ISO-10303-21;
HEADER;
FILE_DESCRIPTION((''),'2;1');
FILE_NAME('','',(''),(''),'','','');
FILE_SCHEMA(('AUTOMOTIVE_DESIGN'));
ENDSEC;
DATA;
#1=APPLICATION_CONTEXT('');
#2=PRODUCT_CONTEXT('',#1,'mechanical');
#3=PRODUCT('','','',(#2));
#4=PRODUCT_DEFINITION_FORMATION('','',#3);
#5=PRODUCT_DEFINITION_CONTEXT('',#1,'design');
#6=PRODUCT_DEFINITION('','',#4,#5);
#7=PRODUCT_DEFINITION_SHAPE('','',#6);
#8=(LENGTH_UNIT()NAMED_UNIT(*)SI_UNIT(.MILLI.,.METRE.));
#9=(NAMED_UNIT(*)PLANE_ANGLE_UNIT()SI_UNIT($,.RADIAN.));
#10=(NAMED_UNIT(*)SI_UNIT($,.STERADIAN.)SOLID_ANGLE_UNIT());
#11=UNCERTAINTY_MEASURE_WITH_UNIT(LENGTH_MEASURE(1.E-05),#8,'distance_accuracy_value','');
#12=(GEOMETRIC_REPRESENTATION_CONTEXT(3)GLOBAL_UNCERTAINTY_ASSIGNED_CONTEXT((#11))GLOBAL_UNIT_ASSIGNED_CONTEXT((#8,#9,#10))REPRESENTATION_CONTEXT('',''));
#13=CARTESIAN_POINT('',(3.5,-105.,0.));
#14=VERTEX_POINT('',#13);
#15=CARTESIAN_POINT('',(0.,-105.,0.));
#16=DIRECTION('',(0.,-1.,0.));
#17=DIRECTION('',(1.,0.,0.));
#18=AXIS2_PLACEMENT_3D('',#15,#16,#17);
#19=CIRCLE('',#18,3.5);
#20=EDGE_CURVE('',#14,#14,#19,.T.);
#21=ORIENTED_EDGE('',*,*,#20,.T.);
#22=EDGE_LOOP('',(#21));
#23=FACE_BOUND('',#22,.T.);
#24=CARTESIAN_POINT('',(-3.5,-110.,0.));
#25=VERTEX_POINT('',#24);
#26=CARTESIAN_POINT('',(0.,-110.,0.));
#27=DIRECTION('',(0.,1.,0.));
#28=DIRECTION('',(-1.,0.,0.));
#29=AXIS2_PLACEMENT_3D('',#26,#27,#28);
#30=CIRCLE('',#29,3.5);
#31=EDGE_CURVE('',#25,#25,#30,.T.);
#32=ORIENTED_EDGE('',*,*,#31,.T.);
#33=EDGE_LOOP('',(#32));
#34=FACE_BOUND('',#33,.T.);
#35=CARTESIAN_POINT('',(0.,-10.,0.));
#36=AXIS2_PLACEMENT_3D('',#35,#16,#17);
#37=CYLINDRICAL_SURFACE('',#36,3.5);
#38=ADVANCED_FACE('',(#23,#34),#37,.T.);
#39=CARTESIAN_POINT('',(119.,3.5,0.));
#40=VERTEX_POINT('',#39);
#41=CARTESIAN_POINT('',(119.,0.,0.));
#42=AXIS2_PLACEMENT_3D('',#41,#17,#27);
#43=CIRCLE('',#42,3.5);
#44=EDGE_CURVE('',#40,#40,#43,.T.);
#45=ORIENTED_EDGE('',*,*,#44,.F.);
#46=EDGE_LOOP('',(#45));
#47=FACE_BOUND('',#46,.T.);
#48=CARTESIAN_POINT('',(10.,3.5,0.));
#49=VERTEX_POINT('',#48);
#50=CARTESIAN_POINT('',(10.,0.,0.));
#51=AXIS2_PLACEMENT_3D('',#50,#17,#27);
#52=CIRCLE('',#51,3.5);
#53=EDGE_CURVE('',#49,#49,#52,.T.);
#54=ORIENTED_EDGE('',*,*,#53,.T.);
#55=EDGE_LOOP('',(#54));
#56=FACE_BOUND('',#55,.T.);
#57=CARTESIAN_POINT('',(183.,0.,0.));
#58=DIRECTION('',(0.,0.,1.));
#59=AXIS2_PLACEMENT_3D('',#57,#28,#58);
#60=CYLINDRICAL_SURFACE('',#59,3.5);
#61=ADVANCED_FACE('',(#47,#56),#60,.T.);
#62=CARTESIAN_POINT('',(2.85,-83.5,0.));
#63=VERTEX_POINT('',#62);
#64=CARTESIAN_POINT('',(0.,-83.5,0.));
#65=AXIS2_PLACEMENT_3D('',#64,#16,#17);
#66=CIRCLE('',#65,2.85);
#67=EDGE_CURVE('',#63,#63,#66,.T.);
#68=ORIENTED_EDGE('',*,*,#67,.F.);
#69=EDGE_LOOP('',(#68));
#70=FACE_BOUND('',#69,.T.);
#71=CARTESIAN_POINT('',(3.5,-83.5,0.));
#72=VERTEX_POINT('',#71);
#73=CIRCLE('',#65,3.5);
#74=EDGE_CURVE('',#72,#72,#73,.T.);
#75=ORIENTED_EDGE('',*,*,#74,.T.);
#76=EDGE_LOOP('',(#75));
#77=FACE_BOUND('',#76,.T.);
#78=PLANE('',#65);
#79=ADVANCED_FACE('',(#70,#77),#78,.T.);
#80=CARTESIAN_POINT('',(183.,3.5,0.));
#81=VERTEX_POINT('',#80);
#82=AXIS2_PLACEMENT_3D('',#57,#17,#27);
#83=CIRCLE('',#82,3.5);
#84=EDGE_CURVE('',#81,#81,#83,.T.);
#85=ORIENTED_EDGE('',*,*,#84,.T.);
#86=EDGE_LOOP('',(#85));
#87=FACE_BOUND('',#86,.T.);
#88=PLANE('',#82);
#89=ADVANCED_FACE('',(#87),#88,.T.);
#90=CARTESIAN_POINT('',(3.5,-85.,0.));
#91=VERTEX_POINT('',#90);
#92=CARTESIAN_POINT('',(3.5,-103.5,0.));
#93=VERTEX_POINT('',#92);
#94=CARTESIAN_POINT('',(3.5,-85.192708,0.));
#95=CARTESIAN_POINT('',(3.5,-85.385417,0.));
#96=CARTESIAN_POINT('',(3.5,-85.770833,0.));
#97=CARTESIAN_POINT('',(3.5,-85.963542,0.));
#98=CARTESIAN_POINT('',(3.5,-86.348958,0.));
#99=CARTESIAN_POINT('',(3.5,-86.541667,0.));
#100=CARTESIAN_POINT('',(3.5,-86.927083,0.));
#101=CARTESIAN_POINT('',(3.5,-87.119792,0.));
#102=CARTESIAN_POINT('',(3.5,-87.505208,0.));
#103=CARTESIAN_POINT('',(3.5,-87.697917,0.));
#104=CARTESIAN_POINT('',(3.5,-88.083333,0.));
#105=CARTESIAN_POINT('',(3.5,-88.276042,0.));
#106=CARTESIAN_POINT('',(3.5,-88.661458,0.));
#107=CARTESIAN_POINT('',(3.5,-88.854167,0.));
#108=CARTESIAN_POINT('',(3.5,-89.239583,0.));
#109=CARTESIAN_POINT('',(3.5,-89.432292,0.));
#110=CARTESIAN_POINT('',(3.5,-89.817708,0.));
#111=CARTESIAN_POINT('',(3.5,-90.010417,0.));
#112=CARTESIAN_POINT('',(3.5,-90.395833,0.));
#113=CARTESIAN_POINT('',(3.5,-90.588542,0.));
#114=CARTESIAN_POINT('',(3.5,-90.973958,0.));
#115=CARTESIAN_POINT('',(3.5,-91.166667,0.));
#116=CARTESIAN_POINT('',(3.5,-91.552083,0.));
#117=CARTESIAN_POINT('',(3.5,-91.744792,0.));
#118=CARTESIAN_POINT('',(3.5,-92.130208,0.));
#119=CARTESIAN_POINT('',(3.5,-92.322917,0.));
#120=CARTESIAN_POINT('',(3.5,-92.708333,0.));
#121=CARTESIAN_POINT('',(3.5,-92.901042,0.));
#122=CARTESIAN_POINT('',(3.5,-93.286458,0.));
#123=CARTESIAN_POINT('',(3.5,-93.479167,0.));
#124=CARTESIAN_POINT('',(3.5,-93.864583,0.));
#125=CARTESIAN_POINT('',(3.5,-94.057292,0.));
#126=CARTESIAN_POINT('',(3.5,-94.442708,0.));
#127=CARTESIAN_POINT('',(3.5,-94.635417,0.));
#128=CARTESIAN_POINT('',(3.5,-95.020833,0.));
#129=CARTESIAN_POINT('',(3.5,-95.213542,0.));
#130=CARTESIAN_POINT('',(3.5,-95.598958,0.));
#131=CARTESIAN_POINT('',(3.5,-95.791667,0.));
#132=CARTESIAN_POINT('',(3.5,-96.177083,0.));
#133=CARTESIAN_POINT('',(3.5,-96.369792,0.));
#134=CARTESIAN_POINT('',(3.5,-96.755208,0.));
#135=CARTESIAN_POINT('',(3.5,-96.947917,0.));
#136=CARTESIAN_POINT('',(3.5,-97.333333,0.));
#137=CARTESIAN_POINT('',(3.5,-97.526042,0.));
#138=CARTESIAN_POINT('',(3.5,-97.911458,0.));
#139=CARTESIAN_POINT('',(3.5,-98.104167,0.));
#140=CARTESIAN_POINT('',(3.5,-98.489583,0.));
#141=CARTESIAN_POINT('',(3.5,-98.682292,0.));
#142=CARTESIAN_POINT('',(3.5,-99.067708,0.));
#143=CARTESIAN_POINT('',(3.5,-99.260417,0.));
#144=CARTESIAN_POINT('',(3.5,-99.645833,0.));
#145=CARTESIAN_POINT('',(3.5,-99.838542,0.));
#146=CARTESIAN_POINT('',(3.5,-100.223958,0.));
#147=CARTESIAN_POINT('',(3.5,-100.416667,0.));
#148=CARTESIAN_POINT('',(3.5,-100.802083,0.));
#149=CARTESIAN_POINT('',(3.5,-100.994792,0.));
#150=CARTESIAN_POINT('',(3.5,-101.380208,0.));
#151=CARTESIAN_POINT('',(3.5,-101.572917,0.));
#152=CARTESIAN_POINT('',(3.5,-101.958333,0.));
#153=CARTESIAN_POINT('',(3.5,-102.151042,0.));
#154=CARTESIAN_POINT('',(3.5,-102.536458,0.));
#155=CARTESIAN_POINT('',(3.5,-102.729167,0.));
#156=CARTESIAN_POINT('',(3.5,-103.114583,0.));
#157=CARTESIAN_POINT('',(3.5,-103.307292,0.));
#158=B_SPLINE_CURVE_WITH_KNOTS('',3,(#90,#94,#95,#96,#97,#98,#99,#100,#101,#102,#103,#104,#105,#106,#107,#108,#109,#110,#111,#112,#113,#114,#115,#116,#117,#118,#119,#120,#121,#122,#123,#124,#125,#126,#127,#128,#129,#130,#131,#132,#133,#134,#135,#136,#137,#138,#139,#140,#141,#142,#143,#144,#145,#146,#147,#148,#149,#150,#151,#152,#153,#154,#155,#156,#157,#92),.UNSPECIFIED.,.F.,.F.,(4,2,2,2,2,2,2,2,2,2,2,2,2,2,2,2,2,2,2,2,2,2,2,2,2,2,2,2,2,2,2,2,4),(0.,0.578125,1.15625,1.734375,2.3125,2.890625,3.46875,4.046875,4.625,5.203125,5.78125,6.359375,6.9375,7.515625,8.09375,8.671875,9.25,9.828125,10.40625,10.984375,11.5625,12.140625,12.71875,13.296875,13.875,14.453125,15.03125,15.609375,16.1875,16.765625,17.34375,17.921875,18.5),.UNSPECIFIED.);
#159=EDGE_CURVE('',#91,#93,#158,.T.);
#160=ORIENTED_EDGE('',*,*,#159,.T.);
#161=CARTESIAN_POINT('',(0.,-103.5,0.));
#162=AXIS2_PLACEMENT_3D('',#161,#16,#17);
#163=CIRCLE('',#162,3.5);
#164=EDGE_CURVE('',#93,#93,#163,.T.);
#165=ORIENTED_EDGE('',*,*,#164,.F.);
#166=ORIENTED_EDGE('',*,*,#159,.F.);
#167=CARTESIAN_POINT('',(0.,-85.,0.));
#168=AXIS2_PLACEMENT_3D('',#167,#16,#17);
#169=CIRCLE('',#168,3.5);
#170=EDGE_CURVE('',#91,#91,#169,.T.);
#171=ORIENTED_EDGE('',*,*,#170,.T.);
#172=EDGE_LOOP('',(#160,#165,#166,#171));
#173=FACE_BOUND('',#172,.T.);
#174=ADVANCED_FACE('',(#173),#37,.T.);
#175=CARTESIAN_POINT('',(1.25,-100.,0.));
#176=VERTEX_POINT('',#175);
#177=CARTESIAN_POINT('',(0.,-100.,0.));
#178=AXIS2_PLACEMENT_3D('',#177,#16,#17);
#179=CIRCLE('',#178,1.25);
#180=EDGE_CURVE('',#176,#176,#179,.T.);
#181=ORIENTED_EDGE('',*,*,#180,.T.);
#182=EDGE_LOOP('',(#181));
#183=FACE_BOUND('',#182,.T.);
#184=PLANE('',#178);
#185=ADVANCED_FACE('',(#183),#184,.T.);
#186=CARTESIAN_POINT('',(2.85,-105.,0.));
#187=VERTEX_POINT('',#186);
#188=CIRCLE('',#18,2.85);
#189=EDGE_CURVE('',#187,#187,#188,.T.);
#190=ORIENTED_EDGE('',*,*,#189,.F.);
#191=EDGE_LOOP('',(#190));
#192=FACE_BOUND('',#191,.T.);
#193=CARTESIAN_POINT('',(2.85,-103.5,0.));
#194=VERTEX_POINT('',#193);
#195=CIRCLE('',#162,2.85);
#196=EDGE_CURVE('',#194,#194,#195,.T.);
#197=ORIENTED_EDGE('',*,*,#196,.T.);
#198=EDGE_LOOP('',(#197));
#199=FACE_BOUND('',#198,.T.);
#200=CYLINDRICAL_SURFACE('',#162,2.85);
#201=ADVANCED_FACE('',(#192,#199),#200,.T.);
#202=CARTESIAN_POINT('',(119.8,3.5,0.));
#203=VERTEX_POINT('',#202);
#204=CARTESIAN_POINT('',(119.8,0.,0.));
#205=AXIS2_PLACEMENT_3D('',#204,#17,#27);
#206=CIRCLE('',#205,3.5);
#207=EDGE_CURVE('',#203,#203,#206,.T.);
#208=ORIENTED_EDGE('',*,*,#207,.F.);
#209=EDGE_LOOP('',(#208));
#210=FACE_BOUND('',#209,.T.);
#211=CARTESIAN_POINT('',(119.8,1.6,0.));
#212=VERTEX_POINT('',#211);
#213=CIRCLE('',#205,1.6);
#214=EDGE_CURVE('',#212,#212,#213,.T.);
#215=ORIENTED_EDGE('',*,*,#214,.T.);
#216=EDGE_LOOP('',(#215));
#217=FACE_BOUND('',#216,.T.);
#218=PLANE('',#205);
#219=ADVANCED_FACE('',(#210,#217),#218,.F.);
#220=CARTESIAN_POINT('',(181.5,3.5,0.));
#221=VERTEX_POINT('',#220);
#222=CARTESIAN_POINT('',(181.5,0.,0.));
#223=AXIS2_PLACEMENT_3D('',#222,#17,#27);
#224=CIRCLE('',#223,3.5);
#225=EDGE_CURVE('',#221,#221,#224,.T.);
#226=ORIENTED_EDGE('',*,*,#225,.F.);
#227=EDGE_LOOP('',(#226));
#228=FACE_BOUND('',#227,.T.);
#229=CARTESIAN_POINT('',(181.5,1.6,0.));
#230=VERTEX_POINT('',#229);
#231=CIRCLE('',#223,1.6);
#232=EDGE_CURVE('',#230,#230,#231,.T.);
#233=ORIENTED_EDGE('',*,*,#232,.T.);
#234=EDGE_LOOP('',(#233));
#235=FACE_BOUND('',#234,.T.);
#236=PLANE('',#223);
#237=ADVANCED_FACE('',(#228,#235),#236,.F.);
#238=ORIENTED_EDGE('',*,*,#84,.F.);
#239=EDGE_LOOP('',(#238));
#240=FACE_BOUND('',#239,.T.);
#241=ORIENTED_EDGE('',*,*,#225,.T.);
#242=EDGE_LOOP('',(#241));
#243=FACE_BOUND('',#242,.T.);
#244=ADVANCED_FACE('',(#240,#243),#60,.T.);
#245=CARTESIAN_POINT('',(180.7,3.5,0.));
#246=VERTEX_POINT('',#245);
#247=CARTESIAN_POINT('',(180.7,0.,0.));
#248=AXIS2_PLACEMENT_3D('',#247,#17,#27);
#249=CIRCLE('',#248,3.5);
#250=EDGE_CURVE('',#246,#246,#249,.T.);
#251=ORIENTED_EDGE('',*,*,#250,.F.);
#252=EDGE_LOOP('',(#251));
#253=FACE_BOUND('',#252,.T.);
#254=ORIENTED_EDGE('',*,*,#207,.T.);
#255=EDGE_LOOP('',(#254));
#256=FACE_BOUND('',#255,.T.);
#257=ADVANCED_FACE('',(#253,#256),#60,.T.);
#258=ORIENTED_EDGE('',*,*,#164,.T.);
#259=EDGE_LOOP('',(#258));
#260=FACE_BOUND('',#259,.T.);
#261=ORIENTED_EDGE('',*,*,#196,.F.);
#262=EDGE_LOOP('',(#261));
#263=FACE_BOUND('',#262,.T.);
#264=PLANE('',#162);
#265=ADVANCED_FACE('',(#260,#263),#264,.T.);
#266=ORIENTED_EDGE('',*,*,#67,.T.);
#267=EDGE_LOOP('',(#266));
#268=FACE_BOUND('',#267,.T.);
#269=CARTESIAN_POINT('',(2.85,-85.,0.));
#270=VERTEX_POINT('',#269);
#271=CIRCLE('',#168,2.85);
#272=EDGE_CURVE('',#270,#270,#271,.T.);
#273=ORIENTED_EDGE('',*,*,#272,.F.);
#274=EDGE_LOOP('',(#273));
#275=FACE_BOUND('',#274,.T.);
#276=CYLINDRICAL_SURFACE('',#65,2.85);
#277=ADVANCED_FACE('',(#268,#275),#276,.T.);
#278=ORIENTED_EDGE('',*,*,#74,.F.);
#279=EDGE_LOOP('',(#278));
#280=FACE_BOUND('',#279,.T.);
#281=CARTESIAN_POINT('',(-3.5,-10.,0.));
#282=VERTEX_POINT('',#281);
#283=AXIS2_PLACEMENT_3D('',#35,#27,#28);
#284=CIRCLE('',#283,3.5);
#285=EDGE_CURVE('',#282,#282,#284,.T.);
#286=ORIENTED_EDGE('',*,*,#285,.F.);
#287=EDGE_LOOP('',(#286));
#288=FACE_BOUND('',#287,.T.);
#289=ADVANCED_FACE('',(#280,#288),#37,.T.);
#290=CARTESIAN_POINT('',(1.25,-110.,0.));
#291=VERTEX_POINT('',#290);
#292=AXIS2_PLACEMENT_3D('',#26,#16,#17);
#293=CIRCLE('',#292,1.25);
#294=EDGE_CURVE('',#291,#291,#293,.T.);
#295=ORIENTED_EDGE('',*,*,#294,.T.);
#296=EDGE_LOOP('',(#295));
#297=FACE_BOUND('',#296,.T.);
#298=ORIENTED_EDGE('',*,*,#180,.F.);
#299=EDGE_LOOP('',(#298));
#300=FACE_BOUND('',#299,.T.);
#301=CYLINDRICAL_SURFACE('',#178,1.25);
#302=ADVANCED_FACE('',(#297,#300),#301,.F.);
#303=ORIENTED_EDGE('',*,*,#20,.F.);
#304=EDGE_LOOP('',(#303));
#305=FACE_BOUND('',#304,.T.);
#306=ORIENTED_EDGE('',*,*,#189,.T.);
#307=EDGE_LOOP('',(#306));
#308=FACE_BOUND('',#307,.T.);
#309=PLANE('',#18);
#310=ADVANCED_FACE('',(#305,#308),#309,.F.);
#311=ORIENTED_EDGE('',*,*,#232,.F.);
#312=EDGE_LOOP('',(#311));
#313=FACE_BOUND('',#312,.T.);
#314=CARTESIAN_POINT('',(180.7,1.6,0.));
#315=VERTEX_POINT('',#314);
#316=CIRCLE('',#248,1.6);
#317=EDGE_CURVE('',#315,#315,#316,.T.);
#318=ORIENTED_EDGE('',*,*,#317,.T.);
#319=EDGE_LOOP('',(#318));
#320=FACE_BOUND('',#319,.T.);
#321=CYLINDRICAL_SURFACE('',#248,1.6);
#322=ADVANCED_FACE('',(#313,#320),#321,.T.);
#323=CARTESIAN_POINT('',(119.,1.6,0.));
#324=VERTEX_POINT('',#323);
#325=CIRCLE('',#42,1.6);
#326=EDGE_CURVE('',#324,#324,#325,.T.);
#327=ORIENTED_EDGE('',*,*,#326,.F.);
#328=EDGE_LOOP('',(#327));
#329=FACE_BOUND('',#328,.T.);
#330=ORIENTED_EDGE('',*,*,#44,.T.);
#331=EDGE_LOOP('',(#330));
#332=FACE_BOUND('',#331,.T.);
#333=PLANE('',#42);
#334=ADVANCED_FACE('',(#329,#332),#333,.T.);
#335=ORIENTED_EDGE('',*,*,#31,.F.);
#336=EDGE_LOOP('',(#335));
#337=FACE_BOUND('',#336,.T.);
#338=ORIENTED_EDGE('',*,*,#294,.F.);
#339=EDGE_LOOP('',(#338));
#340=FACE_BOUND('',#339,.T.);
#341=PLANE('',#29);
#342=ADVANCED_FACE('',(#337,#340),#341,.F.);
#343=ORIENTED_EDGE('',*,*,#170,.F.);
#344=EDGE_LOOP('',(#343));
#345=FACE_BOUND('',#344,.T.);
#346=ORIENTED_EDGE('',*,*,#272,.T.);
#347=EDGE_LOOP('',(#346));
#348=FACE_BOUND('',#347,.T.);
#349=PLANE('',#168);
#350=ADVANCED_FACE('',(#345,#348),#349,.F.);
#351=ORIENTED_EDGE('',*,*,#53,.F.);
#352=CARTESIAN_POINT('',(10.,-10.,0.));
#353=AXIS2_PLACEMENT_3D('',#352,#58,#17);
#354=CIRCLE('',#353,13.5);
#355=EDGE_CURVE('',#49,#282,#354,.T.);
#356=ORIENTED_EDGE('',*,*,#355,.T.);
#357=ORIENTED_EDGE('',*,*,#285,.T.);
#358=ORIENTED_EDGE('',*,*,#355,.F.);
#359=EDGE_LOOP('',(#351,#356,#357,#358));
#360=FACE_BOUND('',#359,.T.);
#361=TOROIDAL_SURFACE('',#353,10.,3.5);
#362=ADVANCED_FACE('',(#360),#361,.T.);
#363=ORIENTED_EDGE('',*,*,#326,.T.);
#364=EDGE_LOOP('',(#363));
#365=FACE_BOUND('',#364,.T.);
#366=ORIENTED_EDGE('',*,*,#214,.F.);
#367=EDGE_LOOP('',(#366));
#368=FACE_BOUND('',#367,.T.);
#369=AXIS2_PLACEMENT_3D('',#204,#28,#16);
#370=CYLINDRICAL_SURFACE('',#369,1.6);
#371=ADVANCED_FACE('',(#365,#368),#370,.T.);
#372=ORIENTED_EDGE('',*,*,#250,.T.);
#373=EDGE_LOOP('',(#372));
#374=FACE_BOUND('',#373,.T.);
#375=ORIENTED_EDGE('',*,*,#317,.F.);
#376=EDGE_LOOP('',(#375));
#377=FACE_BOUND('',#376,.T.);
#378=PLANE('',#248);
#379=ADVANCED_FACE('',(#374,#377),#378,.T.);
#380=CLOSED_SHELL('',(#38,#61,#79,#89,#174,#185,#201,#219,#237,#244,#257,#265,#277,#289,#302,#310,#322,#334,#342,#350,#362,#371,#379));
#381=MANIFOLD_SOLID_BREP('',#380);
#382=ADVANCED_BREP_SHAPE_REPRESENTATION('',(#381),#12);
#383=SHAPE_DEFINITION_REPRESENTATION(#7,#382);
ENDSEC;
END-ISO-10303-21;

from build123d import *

# Parameters (mm, degrees)
WYCI_GNI_CIE_PO_CIE_CE1_PROFILE_R = 3.5
SZKIC26_R                         = 4
SZKIC26_R_2                       = 2.85
WYTNIJ_WYCI_GNI_CIE1_DEPTH        = 1.5
SZKIC36_R                         = 4
SZKIC36_R_2                       = 2.85
WYTNIJ_WYCI_GNI_CIE3_DEPTH        = 1.5
SZKIC46_R                         = 4
SZKIC46_R_2                       = 1.6
WYTNIJ_WYCI_GNI_CIE4_DEPTH        = 0.8
WYTNIJ_WYCI_GNI_CIE5_START        = 0.8
SZKIC53_R                         = 4
SZKIC53_R_2                       = 1.6
WYTNIJ_WYCI_GNI_CIE5_DEPTH        = 0.8
SZKIC54_R                         = 1.25
WYTNIJ_WYCI_GNI_CIE6_DEPTH        = 10


with BuildPart() as part:
    # Wyciągnięcie po ścieżce1: sweep along a path in Szkic1
    with BuildLine(Plane.XY) as wyci_gni_cie_po_cie_ce1_path:
        Line((183, 0), (10, 0))
        ThreePointArc((10, 0), (2.928932188, -2.928932188), (0, -10))
        Line((0, -10), (0, -110))
    # Wyciągnięcie po ścieżce1 profile (on start of the path) → Wyciągnięcie po ścieżce1 (sweep)
    with BuildSketch(Plane(origin=(183, 0, 0), x_dir=(0, 0, -1), z_dir=(-1, 0, 0))):
        Circle(WYCI_GNI_CIE_PO_CIE_CE1_PROFILE_R)
    sweep(path=wyci_gni_cie_po_cie_ce1_path.line)

    # Szkic26 → Wytnij-wyciągnięcie1 (cut)
    with BuildSketch(Plane(origin=(0, -105, 0), x_dir=(-1, 0, 0), z_dir=(0, -1, 0))):
        Circle(SZKIC26_R)
        with Locations(Location((0, 0, 0), (0, 0, 180))):
            Circle(SZKIC26_R_2, mode=Mode.SUBTRACT)
    extrude(amount=-WYTNIJ_WYCI_GNI_CIE1_DEPTH, mode=Mode.SUBTRACT)

    # Szkic36 → Wytnij-wyciągnięcie3 (cut)
    with BuildSketch(Plane(origin=(0, -85, 0), x_dir=(-1, 0, 0), z_dir=(0, -1, 0))):
        Circle(SZKIC36_R)
        with Locations(Location((0, 0, 0), (0, 0, 180))):
            Circle(SZKIC36_R_2, mode=Mode.SUBTRACT)
    extrude(amount=-WYTNIJ_WYCI_GNI_CIE3_DEPTH, mode=Mode.SUBTRACT)

    # Szkic46 → Wytnij-wyciągnięcie4 (cut)
    with BuildSketch(Plane(origin=(181.5, 0, 0), x_dir=(0, 0, -1), z_dir=(1, 0, 0))):
        Circle(SZKIC46_R)
        with Locations(Location((0, 0, 0), (0, 0, 90))):
            Circle(SZKIC46_R_2, mode=Mode.SUBTRACT)
    extrude(amount=-WYTNIJ_WYCI_GNI_CIE4_DEPTH, mode=Mode.SUBTRACT)

    # Szkic53 → Wytnij-wyciągnięcie5 (cut)
    with BuildSketch(Plane(origin=(119, 0, 0), x_dir=(0, 0, -1), z_dir=(1, 0, 0)).offset(WYTNIJ_WYCI_GNI_CIE5_START)):
        Circle(SZKIC53_R)
        with Locations(Location((0, 0, 0), (0, 0, 90))):
            Circle(SZKIC53_R_2, mode=Mode.SUBTRACT)
    extrude(amount=-WYTNIJ_WYCI_GNI_CIE5_DEPTH, mode=Mode.SUBTRACT)

    # Szkic54 → Wytnij-wyciągnięcie6 (cut)
    with BuildSketch(Plane(origin=(0, -110, 0), x_dir=(-1, 0, 0), z_dir=(0, -1, 0))):
        with Locations(Location((0, 0, 0), (0, 0, 180))):
            Circle(SZKIC54_R)
    extrude(amount=-WYTNIJ_WYCI_GNI_CIE6_DEPTH, mode=Mode.SUBTRACT)


solid = part.part
